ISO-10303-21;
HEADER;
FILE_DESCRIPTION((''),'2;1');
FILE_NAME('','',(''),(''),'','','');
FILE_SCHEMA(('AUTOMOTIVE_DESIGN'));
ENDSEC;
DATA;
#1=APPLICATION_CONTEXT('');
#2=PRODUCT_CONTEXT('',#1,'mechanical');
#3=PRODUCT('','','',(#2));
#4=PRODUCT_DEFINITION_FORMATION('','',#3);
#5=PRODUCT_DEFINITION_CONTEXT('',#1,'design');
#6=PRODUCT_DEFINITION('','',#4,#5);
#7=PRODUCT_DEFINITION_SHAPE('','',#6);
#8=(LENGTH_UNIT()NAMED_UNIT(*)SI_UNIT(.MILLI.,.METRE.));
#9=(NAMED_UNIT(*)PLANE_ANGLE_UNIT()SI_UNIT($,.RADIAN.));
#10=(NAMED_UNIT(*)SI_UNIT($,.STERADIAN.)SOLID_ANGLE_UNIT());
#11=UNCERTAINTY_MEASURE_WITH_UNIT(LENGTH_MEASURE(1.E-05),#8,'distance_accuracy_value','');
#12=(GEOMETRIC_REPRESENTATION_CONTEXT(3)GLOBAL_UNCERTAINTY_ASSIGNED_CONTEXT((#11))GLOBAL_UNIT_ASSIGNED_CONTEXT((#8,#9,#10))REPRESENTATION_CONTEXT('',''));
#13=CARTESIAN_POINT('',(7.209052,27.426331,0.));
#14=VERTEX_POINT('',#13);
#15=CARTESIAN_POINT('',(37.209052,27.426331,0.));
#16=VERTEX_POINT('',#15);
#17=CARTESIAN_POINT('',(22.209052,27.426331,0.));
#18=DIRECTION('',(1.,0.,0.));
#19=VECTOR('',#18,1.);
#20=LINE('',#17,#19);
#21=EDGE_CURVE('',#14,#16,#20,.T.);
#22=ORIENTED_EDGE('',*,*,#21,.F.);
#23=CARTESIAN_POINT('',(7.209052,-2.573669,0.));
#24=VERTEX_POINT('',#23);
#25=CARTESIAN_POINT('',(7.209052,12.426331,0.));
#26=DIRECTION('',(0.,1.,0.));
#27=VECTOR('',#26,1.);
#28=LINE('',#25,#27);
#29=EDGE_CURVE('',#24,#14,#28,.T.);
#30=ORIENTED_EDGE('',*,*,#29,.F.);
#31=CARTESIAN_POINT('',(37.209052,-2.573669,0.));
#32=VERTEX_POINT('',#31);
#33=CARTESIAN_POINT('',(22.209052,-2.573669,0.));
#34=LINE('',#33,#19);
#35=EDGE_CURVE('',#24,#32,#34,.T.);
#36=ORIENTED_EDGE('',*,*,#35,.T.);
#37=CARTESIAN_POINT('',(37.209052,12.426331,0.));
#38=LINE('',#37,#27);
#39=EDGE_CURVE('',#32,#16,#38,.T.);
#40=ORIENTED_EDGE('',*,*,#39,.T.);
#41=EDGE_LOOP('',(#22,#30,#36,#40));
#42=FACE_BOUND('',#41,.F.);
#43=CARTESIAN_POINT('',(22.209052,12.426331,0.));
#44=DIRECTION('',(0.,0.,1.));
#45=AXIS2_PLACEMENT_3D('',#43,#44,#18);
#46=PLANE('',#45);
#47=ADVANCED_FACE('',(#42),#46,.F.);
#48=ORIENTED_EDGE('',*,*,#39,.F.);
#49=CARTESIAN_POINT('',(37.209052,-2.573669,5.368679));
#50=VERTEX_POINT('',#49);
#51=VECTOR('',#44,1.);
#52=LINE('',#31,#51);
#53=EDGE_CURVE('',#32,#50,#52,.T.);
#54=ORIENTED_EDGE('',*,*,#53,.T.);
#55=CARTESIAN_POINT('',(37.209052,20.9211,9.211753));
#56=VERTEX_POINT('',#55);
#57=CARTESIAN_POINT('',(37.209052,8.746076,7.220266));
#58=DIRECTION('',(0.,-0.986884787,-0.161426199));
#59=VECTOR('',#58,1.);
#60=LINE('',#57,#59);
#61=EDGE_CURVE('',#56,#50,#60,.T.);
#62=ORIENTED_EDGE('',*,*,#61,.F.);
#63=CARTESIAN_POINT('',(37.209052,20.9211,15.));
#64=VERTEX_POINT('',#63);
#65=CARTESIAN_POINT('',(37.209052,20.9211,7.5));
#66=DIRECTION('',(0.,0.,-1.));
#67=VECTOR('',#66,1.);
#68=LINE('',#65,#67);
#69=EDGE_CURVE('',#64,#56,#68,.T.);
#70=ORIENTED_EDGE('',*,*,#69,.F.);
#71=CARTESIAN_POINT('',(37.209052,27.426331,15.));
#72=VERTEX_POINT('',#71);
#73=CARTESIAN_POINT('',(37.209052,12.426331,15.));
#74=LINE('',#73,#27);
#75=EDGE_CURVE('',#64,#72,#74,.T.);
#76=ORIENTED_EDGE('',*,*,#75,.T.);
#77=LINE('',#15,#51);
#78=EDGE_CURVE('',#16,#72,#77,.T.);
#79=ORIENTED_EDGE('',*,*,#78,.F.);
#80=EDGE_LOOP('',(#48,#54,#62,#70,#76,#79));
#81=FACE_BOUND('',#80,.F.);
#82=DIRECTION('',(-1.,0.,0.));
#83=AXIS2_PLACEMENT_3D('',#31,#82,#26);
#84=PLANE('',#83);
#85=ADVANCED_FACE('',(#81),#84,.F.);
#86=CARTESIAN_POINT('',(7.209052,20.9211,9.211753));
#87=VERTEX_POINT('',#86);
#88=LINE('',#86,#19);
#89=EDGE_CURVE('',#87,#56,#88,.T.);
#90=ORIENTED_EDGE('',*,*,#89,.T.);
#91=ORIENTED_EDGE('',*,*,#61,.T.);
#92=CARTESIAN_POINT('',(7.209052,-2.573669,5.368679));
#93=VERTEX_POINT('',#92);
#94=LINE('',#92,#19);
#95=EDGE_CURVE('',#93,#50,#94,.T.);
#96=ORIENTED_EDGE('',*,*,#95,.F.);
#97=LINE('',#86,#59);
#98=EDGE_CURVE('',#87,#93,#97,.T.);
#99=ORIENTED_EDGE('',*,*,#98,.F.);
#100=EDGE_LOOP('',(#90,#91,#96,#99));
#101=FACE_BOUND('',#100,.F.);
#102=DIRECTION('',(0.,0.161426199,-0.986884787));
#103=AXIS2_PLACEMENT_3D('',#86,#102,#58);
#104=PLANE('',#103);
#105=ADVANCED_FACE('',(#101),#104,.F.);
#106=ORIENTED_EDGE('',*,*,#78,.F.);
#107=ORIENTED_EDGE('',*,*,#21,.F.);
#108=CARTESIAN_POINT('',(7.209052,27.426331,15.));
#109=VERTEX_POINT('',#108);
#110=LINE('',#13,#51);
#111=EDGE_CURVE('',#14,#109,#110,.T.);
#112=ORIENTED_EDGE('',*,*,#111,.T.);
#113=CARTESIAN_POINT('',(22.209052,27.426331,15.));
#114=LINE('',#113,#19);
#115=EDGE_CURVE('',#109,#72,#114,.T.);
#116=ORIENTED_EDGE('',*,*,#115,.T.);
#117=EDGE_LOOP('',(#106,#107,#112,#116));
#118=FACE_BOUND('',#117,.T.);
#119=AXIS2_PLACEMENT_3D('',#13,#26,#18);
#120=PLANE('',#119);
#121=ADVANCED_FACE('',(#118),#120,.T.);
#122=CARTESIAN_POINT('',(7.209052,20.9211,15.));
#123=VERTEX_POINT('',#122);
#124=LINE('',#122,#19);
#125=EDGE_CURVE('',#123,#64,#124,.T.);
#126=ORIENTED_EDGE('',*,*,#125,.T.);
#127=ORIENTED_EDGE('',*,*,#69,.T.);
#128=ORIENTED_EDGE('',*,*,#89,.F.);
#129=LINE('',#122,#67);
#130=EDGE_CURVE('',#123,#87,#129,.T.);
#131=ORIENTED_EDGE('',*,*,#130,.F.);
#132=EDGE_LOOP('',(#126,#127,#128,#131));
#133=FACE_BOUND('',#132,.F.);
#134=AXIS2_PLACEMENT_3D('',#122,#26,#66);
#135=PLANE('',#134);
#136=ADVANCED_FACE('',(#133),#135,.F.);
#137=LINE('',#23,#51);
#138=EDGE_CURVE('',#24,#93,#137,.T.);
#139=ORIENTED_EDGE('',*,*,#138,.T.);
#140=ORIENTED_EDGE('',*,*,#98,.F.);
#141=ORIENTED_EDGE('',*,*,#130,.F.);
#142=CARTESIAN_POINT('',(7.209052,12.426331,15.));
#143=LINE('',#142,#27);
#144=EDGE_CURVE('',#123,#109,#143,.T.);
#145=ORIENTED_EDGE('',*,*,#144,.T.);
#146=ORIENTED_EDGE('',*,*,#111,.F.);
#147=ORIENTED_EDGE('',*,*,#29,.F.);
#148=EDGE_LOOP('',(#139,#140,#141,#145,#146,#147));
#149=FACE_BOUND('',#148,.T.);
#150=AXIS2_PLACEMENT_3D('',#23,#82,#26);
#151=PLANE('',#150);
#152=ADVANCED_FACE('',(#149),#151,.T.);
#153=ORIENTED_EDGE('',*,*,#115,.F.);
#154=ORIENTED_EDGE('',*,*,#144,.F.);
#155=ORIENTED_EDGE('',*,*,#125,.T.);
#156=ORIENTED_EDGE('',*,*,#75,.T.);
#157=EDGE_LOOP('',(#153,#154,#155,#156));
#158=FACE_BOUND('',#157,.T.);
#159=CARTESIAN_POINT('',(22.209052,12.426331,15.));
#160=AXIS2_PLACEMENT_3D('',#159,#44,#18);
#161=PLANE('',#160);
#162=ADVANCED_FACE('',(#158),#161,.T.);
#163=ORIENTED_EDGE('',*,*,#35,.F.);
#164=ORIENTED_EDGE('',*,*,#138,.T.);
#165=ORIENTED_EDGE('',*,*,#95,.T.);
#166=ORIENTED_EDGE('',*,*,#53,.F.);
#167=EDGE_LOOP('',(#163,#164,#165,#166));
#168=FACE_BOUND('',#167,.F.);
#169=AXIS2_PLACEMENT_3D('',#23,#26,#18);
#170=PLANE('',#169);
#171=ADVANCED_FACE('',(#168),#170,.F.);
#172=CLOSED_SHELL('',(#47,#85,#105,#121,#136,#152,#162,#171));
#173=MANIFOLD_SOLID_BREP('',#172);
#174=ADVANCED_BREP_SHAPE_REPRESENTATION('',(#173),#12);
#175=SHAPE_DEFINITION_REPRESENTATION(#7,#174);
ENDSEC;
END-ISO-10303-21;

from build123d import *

# Parameters (mm, degrees)
F0_W     = 30
F0_H     = 30
F1_DEPTH = 15
F3_DEPTH = 30.001


with BuildPart() as f1:
    # F0 (on Top) → F1 (new body)
    with BuildSketch(Plane.XY):
        with Locations((22.209052, 12.426331)):
            Rectangle(F0_W, F0_H)
    extrude(amount=F1_DEPTH)

    # F2 (on face) → F3 (cut, through all)
    with BuildSketch(Plane(origin=(7.209052, 0, 0), x_dir=(0, -1, 0), z_dir=(-1, 0, 0))):
        Polygon((2.573669, 15), (-20.9211, 15), (-20.9211, 9.211753), (2.573669, 5.368679), align=None)
    extrude(amount=-F3_DEPTH, mode=Mode.SUBTRACT)


solid = f1.part
